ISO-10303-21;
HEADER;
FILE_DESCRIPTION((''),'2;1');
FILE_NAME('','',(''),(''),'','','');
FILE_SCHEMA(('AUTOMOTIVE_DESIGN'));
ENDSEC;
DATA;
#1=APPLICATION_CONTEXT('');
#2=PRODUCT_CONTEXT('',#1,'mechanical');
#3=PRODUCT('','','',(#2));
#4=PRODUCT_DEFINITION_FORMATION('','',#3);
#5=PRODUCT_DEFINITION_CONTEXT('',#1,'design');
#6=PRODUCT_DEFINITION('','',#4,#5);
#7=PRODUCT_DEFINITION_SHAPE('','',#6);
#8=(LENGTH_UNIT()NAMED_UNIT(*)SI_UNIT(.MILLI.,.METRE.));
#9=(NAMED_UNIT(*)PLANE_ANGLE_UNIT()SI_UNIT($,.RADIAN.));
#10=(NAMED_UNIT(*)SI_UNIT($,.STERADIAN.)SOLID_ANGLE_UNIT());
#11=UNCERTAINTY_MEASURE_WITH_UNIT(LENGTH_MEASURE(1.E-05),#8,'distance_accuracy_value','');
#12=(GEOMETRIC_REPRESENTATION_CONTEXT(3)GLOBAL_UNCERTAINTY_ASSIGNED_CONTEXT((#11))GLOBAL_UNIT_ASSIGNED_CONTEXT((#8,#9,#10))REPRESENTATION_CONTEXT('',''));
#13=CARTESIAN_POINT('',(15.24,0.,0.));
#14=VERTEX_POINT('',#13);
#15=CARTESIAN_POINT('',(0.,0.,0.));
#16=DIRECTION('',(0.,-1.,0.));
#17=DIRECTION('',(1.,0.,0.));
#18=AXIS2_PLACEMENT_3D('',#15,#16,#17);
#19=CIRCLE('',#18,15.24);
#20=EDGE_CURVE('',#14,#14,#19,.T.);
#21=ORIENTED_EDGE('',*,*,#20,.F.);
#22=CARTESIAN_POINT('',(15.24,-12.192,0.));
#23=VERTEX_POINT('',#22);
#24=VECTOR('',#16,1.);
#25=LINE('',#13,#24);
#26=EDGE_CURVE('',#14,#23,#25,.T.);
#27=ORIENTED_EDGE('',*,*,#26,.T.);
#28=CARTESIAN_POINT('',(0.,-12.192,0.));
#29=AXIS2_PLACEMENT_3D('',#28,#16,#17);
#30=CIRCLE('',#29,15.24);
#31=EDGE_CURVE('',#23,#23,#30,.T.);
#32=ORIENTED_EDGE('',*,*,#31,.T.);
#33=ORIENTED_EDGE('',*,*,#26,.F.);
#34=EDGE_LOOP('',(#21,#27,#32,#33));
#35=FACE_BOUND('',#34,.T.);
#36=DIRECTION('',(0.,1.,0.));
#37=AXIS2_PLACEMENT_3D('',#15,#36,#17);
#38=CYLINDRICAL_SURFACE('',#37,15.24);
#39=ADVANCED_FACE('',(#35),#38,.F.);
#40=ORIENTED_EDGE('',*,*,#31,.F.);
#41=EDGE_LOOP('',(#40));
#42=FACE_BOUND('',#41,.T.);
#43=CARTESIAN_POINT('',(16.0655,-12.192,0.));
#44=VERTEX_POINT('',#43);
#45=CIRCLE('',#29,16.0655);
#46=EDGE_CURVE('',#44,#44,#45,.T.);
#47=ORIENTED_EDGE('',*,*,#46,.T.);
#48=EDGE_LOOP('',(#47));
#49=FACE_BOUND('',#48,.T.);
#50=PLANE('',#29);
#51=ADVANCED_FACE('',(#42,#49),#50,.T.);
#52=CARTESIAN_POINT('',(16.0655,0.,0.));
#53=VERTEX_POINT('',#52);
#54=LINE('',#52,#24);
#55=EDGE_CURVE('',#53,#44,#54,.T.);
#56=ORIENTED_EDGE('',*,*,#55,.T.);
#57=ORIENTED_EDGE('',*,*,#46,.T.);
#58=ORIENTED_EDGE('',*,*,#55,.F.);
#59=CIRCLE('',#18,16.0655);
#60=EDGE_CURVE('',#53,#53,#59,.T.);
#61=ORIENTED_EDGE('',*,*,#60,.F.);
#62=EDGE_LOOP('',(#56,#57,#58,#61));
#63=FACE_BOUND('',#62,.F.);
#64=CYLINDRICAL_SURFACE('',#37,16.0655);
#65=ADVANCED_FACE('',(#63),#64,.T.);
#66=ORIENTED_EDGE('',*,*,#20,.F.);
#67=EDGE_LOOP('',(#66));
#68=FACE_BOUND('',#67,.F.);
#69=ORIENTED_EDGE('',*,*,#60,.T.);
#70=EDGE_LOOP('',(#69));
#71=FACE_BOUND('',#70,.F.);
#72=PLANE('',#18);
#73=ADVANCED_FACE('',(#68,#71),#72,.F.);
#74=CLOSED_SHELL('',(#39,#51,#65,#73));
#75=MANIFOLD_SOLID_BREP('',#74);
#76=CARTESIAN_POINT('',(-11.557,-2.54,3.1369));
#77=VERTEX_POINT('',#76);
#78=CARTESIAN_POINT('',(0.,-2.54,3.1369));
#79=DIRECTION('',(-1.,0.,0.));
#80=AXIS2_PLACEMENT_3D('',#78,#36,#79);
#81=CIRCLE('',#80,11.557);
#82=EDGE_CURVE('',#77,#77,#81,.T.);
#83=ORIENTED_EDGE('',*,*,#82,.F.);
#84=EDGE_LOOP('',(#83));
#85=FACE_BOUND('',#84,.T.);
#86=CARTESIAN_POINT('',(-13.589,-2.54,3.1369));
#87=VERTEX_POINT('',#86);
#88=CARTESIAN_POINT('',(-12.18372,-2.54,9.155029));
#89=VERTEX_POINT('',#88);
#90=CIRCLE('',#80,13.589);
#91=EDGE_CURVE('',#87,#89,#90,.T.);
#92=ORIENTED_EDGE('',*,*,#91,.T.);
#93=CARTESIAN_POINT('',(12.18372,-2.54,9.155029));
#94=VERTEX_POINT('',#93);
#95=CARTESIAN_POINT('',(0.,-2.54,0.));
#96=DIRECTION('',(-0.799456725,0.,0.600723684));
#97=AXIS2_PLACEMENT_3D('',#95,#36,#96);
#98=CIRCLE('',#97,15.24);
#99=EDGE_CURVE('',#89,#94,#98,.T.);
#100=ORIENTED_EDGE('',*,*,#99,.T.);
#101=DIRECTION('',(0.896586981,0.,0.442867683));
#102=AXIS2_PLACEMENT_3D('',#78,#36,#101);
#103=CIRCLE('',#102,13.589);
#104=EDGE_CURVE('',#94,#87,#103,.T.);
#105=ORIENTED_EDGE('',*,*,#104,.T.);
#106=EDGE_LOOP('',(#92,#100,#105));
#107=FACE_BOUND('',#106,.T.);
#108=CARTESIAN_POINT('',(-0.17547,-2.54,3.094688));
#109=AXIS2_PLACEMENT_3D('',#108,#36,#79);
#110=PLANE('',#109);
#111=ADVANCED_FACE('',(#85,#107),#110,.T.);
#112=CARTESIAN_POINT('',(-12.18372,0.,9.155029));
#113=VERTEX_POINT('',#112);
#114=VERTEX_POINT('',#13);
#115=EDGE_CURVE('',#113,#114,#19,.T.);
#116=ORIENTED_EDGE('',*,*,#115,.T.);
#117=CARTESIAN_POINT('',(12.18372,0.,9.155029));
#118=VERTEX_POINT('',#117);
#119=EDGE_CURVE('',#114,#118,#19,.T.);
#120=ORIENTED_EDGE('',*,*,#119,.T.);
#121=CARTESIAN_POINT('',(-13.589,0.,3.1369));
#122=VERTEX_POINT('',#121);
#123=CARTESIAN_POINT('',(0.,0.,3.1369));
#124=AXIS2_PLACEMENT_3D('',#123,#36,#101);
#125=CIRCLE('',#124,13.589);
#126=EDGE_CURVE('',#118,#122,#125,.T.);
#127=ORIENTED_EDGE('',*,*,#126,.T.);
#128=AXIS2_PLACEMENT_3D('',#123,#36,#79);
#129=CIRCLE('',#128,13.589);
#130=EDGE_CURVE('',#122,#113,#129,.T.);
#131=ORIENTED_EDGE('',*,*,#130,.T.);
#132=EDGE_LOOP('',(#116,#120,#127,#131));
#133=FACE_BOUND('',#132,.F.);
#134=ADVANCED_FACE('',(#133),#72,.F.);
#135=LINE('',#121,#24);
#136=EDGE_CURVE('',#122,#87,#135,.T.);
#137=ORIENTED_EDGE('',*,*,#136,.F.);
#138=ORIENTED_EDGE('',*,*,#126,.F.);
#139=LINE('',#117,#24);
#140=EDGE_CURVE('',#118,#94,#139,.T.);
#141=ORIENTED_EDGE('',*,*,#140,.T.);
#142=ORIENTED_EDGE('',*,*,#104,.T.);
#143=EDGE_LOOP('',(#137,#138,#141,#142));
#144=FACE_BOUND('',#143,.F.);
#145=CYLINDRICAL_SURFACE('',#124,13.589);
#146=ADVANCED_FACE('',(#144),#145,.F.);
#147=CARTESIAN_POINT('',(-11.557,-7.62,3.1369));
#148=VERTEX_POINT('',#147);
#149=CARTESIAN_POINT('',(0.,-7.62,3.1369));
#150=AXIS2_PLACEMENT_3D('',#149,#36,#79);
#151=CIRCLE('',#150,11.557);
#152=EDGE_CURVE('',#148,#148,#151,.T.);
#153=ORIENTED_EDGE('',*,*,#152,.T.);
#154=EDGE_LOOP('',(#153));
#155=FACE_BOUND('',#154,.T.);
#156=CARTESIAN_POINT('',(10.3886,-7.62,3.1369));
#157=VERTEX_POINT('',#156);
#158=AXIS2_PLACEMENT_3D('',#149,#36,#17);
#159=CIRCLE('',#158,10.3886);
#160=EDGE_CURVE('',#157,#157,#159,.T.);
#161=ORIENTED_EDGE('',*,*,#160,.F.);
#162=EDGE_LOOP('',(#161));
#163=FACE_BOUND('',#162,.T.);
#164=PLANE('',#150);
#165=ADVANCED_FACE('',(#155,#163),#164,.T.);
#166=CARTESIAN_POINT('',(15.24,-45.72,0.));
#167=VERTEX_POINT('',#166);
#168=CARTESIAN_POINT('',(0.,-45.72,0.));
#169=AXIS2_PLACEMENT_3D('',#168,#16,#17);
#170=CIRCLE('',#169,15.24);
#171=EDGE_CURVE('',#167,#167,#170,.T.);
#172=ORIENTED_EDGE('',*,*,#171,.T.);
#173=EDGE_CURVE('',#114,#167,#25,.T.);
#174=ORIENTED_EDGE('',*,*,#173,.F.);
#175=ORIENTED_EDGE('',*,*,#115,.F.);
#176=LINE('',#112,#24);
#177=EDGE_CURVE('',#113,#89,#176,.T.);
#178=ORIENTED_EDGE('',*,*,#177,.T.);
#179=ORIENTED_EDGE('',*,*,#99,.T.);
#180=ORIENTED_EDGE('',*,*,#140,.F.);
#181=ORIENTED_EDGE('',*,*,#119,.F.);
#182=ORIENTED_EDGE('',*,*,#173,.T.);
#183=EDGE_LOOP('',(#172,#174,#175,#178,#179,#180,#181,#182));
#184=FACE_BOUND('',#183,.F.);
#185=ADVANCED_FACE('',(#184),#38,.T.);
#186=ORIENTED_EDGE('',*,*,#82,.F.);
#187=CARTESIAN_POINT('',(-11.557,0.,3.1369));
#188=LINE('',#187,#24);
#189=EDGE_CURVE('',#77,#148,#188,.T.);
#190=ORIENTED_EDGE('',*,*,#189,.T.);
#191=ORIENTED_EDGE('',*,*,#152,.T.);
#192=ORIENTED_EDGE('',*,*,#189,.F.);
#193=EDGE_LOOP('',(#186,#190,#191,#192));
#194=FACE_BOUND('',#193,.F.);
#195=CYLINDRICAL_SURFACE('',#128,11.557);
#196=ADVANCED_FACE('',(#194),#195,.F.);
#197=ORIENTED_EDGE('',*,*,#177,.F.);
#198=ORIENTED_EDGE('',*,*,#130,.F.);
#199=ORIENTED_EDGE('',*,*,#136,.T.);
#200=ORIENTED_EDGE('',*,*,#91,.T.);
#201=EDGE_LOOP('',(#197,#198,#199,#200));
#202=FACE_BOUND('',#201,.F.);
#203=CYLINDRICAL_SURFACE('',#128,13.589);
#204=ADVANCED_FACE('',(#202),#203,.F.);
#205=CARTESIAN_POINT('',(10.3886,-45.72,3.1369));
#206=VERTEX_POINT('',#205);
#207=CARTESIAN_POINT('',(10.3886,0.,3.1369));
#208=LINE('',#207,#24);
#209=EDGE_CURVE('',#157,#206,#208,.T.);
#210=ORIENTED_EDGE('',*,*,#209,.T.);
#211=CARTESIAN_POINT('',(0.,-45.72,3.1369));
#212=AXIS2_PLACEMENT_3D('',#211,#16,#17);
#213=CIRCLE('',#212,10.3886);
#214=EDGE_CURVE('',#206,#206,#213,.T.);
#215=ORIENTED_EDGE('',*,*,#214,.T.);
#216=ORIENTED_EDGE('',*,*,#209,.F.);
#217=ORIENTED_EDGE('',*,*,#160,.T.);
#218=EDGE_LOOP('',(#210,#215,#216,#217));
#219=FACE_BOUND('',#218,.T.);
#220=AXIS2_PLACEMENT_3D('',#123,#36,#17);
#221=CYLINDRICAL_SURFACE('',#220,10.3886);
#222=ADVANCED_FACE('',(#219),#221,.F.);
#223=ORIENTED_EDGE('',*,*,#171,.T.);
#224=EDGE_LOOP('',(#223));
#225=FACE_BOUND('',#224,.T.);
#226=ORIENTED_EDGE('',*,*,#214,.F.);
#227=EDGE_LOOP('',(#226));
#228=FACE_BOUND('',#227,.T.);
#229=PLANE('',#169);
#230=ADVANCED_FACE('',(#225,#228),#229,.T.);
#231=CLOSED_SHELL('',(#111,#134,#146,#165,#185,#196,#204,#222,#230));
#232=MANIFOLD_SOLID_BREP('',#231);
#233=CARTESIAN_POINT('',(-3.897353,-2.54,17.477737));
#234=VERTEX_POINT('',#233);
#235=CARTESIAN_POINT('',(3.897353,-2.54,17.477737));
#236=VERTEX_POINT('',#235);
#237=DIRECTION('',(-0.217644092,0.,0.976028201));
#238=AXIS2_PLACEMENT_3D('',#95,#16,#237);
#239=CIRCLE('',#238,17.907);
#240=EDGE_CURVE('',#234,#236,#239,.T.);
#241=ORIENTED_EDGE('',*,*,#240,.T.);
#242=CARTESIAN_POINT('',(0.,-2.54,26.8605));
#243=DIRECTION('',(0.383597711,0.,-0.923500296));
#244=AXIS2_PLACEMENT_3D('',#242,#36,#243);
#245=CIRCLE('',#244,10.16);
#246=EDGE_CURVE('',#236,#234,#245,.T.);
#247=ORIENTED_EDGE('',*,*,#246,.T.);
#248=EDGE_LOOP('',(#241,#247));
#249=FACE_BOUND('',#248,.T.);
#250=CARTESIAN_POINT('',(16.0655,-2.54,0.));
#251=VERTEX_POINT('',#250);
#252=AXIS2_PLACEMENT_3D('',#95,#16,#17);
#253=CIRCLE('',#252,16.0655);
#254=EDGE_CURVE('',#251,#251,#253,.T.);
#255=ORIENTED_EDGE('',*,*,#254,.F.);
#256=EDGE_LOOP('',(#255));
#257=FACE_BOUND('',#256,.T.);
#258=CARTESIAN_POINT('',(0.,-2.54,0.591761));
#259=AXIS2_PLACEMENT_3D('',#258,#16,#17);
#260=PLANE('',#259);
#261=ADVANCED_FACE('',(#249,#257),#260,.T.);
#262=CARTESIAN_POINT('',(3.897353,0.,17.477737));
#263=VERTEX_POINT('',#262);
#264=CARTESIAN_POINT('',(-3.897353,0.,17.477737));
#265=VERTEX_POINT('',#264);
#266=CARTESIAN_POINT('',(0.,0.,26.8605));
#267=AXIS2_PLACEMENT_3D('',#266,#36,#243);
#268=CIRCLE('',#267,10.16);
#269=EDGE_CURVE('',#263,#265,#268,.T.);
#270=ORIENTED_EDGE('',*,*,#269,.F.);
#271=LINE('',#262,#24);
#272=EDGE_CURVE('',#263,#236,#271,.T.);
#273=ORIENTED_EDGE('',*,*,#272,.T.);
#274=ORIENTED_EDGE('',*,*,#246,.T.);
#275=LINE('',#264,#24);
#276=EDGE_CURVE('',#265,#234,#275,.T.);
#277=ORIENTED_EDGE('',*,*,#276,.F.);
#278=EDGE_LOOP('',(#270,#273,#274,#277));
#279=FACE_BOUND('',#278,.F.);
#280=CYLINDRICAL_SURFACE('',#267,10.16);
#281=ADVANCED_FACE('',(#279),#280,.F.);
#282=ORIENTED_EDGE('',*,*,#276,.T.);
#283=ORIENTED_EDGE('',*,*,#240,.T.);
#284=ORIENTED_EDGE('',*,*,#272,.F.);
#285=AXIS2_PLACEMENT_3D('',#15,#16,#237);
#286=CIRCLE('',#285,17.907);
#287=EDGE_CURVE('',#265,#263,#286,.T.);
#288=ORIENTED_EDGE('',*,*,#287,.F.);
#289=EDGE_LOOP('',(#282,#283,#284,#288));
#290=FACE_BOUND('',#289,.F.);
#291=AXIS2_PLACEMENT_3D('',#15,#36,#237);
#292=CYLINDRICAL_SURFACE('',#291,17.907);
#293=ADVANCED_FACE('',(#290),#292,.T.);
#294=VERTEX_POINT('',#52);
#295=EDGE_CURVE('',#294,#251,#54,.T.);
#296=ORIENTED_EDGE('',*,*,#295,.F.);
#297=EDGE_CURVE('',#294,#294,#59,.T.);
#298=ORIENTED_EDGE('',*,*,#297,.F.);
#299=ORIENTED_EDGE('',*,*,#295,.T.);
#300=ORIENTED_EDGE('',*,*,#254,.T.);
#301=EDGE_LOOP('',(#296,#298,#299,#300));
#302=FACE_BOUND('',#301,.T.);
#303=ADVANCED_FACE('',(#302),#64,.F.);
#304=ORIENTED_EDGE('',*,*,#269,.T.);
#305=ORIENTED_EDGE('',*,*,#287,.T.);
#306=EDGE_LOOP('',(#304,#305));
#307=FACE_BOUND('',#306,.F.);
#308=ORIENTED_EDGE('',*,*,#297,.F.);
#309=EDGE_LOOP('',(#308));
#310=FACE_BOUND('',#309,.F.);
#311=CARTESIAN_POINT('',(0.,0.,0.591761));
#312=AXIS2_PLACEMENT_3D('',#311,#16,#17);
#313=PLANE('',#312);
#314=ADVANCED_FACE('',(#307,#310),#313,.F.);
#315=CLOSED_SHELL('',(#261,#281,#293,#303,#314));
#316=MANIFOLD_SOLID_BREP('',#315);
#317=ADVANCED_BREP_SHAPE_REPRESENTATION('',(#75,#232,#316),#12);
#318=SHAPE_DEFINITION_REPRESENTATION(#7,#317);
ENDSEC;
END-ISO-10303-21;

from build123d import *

# Parameters (mm, degrees)
F0_R     = 15.24
F0_R_2   = 10.3886
F1_DEPTH = 45.72
F0_R_3   = 16.0655
F2_DEPTH = 2.54
F3_DEPTH = 12.192
F4_R     = 11.557
F4_R_2   = 10.3886
F5_DEPTH = 7.62
F6_DEPTH = 5.08
F7_DEPTH = 2.54


with BuildPart() as f1:
    # F0 (on Front) → F1 (new body)
    with BuildSketch(Plane.XZ):
        Circle(F0_R)
        with Locations((0, 3.1369)):
            Circle(F0_R_2, mode=Mode.SUBTRACT)
    extrude(amount=F1_DEPTH)

    # F4 (on face) → F5 (cut)
    with BuildSketch(Plane(origin=(0, 0, 0), x_dir=(-1, 0, 0), z_dir=(0, 1, 0))):
        with Locations((0, 3.1369)):
            Circle(F4_R)
        with Locations((0, 3.1369)):
            Circle(F4_R_2, mode=Mode.SUBTRACT)
    extrude(amount=-F5_DEPTH, mode=Mode.SUBTRACT)

    # F4 (on face) → F6 (cut)
    with BuildSketch(Plane(origin=(0, 0, 0), x_dir=(-1, 0, 0), z_dir=(0, 1, 0))):
        with BuildLine():
            ThreePointArc((-12.1837204898, 9.1550289474), (0, 15.24), (12.1837204898, 9.1550289474))
            ThreePointArc((12.1837204898, 9.1550289474), (0, 16.7259), (-12.1837204898, 9.1550289474))
        make_face()
        with BuildLine():
            ThreePointArc((-12.1837204898, 9.1550289474), (-3.090011591, -10.0961173947), (13.589, 3.1369))
            ThreePointArc((13.589, 3.1369), (13.2330173947, 6.226911591), (12.1837204898, 9.1550289474))
            ThreePointArc((12.1837204898, 9.1550289474), (0, 15.24), (-12.1837204898, 9.1550289474))
        make_face()
        with Locations((0, 3.1369)):
            Circle(F4_R, mode=Mode.SUBTRACT)
    extrude(amount=F6_DEPTH, mode=Mode.SUBTRACT)

    # F4 (on face) → F7 (cut)
    with BuildSketch(Plane(origin=(0, 0, 0), x_dir=(-1, 0, 0), z_dir=(0, 1, 0))):
        with BuildLine():
            ThreePointArc((-12.1837204898, 9.1550289474), (-3.090011591, -10.0961173947), (13.589, 3.1369))
            ThreePointArc((13.589, 3.1369), (13.2330173947, 6.226911591), (12.1837204898, 9.1550289474))
            ThreePointArc((12.1837204898, 9.1550289474), (0, 15.24), (-12.1837204898, 9.1550289474))
        make_face()
        with Locations((0, 3.1369)):
            Circle(F4_R, mode=Mode.SUBTRACT)
    extrude(amount=-F7_DEPTH, mode=Mode.SUBTRACT)


with BuildPart() as f2:
    # F0 (on Front) → F2 (new body)
    with BuildSketch(Plane.XZ):
        with BuildLine():
            ThreePointArc((3.8973527479, 17.4777369976), (0, 16.7005), (-3.8973527479, 17.4777369976))
            ThreePointArc((-3.8973527479, 17.4777369976), (0, -17.907), (3.8973527479, 17.4777369976))
        make_face()
        Circle(F0_R_3, mode=Mode.SUBTRACT)
    extrude(amount=F2_DEPTH)


with BuildPart() as f3:
    # F0 (on Front) → F3 (new body)
    with BuildSketch(Plane.XZ):
        Circle(F0_R_3)
        Circle(F0_R, mode=Mode.SUBTRACT)
    extrude(amount=F3_DEPTH)


solid = Compound([f1.part, f2.part, f3.part])
